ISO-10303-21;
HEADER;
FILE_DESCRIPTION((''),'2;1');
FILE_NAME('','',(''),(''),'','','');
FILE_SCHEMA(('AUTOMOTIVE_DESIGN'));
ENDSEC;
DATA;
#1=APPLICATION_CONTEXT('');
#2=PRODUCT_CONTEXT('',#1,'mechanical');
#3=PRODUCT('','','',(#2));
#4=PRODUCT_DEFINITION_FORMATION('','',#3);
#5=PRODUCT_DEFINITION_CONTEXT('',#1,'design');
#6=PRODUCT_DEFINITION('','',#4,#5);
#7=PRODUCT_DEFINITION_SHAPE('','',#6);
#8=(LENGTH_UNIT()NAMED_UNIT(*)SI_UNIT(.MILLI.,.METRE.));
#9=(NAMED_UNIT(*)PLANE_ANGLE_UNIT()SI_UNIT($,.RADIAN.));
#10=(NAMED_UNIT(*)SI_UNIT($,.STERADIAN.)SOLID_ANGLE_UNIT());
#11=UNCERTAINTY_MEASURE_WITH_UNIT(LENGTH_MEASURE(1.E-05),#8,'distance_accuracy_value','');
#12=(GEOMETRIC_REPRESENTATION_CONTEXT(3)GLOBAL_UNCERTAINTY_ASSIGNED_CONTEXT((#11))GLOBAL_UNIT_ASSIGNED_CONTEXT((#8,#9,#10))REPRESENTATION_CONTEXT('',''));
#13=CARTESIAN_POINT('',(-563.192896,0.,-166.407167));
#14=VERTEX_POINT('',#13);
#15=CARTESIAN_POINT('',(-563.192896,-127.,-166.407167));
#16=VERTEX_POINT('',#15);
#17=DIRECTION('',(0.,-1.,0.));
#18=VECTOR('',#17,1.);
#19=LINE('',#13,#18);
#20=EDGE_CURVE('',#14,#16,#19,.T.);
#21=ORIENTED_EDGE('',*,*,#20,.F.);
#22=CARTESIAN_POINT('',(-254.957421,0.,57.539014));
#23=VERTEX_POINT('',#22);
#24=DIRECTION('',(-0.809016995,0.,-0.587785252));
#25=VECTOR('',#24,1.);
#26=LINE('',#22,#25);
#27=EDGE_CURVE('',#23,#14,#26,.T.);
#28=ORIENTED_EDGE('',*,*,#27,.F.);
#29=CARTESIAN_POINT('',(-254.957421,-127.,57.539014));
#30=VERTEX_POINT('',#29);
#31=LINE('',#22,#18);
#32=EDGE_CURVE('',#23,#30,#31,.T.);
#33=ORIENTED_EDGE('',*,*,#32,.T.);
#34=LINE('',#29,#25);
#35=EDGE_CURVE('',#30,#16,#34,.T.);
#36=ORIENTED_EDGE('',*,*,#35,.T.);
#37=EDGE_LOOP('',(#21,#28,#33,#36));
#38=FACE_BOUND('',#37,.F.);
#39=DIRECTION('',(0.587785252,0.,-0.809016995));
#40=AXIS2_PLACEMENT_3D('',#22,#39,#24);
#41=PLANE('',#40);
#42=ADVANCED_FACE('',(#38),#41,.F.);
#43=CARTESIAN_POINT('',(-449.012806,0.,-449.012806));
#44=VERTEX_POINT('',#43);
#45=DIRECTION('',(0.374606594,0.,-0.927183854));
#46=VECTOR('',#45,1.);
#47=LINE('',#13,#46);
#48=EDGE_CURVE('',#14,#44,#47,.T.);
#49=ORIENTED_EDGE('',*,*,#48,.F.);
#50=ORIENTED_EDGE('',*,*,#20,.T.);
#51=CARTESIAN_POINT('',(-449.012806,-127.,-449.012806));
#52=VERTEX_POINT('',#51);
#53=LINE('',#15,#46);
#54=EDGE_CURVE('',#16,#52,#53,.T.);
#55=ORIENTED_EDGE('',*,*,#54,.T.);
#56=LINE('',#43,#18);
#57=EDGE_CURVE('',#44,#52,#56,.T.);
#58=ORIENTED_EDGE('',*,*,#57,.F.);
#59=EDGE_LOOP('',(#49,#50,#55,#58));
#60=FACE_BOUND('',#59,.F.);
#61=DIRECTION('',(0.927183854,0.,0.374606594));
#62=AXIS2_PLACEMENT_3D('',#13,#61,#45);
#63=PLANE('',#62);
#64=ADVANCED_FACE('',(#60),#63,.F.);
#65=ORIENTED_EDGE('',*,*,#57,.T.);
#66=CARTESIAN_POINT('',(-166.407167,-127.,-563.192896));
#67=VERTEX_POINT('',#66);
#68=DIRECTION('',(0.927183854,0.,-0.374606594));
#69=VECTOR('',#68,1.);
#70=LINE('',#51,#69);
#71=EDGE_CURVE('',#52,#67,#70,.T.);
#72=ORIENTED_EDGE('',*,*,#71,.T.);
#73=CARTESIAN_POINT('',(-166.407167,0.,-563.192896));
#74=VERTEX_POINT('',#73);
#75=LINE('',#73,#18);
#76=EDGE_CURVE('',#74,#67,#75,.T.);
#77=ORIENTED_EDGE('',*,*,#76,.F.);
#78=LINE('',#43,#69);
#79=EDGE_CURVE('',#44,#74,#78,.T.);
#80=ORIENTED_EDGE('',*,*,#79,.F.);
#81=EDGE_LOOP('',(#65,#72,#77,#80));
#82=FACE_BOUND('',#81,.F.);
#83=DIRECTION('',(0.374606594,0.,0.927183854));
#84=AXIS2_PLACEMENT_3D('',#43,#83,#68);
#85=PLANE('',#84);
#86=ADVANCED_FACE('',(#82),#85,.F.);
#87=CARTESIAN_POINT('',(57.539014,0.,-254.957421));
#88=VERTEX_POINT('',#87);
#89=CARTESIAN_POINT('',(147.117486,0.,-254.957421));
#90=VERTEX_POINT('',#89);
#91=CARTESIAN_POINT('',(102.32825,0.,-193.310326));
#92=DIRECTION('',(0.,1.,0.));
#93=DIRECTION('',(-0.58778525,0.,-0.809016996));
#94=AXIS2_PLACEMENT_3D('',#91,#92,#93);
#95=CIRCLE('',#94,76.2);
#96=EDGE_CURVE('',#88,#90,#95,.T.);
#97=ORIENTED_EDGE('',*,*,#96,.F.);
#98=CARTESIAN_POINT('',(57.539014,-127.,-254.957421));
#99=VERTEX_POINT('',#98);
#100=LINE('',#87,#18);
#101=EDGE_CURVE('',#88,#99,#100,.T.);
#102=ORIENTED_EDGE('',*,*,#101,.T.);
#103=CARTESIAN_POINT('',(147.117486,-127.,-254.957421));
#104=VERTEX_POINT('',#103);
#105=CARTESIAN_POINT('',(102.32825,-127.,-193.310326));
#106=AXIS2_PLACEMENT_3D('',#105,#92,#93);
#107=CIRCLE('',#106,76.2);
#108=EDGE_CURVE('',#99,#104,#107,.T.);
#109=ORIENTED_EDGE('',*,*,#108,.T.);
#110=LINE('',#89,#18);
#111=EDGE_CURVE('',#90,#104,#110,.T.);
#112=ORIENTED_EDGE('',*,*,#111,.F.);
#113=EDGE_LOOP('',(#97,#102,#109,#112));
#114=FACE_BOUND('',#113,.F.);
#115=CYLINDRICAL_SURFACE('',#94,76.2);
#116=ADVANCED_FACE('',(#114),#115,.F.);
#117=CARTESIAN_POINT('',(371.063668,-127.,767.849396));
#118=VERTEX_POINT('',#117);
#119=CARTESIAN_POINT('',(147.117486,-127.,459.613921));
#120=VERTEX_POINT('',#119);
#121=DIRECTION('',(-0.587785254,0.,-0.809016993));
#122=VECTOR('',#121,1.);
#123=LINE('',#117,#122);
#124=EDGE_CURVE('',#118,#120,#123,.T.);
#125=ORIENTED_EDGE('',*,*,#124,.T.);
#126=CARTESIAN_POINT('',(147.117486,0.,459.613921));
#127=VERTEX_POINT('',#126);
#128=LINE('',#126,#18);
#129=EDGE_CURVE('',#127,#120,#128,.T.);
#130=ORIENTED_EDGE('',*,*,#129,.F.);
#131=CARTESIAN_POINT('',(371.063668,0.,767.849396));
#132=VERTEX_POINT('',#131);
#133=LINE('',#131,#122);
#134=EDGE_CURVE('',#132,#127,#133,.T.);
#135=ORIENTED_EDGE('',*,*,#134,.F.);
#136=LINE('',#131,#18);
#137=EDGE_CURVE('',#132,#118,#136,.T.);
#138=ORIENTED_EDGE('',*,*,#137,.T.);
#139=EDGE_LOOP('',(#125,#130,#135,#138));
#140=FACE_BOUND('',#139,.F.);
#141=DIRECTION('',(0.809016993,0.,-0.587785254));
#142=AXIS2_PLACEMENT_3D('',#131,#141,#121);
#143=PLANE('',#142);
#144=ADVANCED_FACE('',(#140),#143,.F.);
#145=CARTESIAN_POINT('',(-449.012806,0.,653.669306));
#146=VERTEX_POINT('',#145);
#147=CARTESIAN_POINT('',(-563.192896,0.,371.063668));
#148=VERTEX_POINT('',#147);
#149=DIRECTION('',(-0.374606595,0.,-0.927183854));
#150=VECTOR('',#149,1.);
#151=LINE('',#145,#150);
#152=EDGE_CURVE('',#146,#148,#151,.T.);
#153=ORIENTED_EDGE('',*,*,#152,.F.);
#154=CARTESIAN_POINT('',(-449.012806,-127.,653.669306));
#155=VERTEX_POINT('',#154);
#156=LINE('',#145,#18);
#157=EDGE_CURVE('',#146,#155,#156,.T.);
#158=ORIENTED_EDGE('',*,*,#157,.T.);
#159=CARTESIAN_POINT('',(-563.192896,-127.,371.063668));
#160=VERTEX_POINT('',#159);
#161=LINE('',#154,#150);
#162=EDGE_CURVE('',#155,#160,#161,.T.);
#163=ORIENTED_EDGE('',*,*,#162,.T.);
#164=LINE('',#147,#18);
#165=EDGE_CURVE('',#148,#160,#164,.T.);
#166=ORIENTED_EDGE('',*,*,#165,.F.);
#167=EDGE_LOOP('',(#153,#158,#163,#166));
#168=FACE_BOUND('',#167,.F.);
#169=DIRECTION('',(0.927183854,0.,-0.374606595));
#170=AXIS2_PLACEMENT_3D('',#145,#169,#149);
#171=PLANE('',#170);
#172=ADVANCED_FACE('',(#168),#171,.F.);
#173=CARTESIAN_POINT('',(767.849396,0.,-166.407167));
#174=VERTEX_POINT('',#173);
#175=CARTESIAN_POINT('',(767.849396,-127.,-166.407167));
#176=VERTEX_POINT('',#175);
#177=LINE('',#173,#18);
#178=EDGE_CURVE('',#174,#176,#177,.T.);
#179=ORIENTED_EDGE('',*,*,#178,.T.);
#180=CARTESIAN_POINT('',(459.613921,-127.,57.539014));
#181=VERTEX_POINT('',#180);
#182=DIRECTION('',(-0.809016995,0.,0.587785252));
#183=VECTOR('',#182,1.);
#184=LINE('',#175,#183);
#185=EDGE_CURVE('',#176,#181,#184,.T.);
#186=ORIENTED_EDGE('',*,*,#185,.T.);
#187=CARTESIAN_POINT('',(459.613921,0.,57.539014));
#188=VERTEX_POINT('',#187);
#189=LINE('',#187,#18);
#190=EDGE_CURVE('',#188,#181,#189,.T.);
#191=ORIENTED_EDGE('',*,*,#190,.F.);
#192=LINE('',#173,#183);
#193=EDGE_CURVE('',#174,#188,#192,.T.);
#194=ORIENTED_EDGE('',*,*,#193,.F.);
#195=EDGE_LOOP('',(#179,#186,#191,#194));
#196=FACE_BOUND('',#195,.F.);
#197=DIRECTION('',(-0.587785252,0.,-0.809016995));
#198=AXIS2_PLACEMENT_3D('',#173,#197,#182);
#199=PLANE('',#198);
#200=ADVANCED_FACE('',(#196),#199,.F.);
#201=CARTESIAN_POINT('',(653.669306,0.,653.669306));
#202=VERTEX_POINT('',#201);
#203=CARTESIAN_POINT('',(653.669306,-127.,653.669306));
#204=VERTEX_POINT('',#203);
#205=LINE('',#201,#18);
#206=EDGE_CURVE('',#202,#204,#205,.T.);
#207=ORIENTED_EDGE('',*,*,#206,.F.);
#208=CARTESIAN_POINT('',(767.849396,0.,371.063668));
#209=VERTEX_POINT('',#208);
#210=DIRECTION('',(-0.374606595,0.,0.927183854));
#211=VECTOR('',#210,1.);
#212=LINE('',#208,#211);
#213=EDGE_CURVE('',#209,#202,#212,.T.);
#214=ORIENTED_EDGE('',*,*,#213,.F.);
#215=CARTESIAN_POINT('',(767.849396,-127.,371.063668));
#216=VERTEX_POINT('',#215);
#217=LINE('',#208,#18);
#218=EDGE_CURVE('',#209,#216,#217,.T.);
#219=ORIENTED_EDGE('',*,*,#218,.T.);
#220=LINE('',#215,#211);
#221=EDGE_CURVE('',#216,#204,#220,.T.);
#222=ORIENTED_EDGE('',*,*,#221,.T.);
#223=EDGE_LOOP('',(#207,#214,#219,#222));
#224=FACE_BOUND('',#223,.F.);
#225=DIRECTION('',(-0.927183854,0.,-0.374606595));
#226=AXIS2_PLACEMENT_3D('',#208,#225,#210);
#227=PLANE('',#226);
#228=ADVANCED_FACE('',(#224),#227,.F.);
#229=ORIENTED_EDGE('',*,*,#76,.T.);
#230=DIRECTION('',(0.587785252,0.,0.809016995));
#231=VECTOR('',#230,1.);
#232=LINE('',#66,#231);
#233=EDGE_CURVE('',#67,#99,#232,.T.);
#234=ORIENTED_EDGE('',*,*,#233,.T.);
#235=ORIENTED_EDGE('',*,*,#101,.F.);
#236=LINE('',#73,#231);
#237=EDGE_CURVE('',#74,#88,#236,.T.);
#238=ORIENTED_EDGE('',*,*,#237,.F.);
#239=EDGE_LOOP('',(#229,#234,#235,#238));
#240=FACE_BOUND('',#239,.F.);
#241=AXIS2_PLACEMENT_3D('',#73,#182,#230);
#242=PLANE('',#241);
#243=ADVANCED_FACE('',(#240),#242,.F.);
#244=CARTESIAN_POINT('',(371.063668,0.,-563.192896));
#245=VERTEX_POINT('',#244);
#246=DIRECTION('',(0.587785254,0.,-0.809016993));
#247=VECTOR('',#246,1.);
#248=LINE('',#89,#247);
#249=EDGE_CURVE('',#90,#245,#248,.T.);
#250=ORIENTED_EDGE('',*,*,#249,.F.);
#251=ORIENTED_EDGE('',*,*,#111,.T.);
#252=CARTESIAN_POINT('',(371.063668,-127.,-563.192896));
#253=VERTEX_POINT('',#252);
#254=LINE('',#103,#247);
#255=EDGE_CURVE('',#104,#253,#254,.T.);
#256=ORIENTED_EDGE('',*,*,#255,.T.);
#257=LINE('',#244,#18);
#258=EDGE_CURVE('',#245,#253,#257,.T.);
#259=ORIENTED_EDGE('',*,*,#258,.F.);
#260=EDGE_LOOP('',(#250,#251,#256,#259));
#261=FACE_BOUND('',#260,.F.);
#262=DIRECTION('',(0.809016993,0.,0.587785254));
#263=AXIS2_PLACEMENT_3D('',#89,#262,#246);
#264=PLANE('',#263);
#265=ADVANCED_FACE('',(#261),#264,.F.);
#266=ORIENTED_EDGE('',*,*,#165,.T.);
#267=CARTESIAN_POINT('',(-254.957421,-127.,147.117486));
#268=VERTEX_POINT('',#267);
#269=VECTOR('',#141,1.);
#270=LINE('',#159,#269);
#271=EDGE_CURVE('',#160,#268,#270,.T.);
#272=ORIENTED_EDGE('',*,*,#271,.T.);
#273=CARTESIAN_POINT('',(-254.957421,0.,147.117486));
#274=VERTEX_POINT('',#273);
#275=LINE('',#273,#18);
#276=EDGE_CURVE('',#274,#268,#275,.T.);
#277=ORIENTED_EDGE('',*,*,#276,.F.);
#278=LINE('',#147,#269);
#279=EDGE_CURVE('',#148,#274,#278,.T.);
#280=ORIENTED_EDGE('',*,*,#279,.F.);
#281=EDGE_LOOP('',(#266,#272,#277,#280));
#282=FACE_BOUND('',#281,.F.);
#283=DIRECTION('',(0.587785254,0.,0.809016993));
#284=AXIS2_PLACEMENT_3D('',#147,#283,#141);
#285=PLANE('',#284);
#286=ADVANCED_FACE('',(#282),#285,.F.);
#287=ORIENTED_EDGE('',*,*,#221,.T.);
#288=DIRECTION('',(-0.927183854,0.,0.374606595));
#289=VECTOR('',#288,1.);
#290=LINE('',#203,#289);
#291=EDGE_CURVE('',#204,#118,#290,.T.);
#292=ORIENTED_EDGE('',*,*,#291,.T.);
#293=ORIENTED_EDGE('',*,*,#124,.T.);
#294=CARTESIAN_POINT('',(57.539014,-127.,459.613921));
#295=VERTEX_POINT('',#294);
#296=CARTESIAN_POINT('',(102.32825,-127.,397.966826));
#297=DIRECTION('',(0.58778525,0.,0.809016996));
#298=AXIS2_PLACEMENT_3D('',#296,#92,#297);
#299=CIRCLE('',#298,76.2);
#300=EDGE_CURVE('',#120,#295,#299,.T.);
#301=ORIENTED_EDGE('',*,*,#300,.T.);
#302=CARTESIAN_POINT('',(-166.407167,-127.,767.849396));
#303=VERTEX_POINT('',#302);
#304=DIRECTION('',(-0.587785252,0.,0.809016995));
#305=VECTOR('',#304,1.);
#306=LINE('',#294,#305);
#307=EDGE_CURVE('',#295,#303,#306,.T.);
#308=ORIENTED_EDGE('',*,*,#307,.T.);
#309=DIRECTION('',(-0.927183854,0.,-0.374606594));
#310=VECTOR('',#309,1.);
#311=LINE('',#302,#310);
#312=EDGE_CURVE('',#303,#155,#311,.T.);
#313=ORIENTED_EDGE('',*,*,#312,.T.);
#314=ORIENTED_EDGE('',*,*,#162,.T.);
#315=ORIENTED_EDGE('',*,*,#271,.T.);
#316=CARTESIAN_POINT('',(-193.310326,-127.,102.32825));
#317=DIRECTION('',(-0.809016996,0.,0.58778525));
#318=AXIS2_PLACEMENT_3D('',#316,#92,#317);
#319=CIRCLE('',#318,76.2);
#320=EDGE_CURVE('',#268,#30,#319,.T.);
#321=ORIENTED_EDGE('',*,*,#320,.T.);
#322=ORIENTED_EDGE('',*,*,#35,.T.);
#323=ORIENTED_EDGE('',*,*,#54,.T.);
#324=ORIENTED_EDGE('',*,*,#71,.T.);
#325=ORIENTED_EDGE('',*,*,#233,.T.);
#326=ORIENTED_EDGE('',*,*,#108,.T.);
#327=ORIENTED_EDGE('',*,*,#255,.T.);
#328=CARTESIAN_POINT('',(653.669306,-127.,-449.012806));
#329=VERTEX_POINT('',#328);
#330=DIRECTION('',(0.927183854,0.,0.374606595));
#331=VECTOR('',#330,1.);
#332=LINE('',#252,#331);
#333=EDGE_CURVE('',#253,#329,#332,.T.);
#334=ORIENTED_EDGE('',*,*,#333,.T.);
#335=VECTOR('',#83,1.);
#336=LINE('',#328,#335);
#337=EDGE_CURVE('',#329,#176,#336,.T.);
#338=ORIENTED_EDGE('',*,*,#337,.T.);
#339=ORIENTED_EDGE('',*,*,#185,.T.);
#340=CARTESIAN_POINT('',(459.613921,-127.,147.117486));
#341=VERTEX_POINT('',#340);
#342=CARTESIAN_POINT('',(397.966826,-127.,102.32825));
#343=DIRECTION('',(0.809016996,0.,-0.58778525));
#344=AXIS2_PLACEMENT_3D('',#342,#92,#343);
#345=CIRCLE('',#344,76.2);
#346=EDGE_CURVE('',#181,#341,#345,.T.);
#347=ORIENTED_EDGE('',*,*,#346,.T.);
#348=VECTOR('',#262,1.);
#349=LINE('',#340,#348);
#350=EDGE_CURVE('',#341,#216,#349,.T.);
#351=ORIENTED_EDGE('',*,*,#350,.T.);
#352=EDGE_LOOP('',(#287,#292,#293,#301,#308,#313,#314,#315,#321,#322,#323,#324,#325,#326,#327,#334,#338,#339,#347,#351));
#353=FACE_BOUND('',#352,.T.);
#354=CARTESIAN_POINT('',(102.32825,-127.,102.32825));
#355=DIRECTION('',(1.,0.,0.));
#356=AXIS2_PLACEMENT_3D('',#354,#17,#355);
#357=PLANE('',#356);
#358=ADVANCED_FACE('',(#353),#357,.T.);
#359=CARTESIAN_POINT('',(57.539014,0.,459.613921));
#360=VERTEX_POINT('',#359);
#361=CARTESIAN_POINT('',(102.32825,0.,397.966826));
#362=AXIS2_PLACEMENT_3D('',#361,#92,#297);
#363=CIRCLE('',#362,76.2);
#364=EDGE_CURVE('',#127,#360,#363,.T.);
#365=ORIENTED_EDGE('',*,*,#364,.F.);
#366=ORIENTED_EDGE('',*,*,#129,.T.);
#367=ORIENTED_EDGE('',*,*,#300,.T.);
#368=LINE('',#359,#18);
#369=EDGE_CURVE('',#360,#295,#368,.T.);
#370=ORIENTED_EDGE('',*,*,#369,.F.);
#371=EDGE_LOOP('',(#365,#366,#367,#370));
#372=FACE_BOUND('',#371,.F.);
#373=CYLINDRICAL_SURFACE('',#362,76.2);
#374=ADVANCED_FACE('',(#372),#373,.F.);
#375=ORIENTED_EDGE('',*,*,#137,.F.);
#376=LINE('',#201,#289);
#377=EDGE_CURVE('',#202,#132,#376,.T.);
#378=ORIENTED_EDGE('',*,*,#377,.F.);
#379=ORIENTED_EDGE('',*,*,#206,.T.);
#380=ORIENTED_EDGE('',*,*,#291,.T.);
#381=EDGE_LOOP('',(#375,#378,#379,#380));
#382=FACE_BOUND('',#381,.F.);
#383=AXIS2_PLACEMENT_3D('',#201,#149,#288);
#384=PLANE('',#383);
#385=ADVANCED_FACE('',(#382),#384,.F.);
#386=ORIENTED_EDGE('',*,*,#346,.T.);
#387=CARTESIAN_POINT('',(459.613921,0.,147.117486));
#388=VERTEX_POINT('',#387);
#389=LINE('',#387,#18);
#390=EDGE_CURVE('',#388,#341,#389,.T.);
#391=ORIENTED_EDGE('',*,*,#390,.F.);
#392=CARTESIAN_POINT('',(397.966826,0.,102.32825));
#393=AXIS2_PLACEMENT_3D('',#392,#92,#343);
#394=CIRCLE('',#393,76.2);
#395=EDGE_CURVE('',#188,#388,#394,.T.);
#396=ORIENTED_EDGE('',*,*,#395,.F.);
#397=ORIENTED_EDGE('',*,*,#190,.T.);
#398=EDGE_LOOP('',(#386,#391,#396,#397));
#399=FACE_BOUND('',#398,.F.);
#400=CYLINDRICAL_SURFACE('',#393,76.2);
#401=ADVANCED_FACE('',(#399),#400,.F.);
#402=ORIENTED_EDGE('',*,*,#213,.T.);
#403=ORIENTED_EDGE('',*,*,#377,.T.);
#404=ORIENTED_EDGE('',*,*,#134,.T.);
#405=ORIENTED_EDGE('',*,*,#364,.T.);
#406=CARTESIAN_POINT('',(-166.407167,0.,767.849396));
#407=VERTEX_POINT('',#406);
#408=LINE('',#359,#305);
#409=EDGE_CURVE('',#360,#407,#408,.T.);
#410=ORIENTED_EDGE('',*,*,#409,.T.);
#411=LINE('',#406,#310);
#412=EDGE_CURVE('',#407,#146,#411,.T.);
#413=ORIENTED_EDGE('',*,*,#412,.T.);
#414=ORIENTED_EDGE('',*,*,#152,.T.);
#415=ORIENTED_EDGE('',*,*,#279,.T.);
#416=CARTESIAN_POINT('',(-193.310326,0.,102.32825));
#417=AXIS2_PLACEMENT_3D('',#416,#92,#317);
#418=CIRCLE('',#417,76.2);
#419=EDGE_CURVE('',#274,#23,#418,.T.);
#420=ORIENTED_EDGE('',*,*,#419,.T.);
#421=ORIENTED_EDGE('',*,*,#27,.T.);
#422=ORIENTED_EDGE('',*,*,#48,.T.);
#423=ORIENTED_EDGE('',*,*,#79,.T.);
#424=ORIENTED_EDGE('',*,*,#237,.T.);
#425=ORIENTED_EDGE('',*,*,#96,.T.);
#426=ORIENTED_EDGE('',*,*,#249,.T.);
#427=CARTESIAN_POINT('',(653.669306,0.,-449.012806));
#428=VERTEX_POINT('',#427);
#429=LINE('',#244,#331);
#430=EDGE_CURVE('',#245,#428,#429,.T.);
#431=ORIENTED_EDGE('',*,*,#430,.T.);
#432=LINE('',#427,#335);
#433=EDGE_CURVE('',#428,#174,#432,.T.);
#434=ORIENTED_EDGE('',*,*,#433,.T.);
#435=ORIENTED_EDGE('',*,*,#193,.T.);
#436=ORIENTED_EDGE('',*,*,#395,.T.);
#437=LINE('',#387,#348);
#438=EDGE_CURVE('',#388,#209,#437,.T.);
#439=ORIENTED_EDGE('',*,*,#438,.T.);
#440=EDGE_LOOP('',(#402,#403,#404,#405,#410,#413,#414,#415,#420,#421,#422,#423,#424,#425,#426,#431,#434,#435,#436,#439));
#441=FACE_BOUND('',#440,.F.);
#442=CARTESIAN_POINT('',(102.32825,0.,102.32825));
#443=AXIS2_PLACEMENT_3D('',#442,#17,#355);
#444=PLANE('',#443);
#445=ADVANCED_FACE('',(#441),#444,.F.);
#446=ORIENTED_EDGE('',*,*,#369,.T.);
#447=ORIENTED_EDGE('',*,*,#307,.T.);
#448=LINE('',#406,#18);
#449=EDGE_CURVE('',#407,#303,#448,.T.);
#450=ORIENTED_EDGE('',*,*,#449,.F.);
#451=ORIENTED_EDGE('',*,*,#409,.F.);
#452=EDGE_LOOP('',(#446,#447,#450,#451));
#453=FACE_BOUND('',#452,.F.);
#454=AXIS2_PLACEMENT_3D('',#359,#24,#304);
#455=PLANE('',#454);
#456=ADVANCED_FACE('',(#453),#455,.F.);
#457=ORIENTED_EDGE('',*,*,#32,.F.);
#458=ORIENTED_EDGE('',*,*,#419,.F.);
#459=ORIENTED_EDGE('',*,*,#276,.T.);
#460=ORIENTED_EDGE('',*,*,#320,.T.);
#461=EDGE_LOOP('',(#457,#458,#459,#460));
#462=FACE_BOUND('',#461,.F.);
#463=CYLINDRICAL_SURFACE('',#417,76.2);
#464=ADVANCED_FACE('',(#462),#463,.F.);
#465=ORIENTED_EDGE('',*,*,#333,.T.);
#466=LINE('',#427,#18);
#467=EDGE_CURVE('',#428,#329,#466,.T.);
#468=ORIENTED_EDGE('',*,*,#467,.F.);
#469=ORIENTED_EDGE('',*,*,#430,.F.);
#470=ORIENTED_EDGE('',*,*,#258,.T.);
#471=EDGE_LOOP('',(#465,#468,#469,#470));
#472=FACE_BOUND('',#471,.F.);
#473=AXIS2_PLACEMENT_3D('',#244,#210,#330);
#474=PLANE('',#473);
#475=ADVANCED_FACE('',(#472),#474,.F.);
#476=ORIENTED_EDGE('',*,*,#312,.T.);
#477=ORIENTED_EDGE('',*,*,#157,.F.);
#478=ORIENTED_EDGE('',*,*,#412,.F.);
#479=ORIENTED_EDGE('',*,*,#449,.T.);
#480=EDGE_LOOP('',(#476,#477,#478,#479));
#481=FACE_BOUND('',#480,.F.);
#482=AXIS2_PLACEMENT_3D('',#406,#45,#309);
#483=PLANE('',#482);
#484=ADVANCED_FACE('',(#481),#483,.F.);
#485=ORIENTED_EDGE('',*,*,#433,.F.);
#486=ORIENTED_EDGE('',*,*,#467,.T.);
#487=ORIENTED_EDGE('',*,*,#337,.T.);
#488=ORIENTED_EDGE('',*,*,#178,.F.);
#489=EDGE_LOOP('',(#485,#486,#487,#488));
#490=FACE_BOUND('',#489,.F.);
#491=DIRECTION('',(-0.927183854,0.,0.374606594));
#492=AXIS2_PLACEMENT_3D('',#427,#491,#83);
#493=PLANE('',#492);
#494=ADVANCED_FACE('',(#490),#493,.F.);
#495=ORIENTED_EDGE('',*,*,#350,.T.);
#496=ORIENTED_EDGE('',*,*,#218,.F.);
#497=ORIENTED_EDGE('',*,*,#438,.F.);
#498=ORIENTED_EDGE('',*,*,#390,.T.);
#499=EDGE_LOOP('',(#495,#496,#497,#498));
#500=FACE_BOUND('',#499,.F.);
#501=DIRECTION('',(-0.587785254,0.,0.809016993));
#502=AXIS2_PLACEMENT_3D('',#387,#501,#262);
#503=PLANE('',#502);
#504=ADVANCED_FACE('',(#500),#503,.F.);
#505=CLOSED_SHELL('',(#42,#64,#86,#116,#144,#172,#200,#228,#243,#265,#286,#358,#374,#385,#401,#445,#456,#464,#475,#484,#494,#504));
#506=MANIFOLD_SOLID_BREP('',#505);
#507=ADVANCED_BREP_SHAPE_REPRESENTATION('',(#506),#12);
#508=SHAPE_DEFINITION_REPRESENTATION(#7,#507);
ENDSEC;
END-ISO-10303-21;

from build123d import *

# Parameters (mm, degrees)
F1_DEPTH = 127


with BuildPart() as f1:
    # F0 (on Front) → F1 (new body)
    with BuildSketch(Plane.XZ):
        with BuildLine():
            Line((-563.192896, -166.407167), (-449.012806, -449.012806))
            Line((-449.012806, -449.012806), (-166.407167, -563.192896))
            Line((-166.407167, -563.192896), (57.539014, -254.957421))
            ThreePointArc((57.539014, -254.957421), (102.32825, -117.110326), (147.117486, -254.957421))
            Line((147.117486, -254.957421), (371.063668, -563.192896))
            Line((371.063668, -563.192896), (653.669306, -449.012806))
            Line((653.669306, -449.012806), (767.849396, -166.407167))
            Line((767.849396, -166.407167), (459.613921, 57.539014))
            ThreePointArc((459.613921, 57.539014), (321.766826, 102.32825), (459.613921, 147.117486))
            Line((459.613921, 147.117486), (767.849396, 371.063668))
            Line((767.849396, 371.063668), (653.669306, 653.669306))
            Line((653.669306, 653.669306), (371.063668, 767.849396))
            Line((371.063668, 767.849396), (147.117486, 459.613921))
            ThreePointArc((147.117486, 459.613921), (102.32825, 321.766826), (57.539014, 459.613921))
            Line((57.539014, 459.613921), (-166.407167, 767.849396))
            Line((-166.407167, 767.849396), (-449.012806, 653.669306))
            Line((-449.012806, 653.669306), (-563.192896, 371.063668))
            Line((-563.192896, 371.063668), (-254.957421, 147.117486))
            ThreePointArc((-254.957421, 147.117486), (-117.110326, 102.32825), (-254.957421, 57.539014))
            Line((-254.957421, 57.539014), (-563.192896, -166.407167))
        make_face()
    extrude(amount=F1_DEPTH)


solid = f1.part
